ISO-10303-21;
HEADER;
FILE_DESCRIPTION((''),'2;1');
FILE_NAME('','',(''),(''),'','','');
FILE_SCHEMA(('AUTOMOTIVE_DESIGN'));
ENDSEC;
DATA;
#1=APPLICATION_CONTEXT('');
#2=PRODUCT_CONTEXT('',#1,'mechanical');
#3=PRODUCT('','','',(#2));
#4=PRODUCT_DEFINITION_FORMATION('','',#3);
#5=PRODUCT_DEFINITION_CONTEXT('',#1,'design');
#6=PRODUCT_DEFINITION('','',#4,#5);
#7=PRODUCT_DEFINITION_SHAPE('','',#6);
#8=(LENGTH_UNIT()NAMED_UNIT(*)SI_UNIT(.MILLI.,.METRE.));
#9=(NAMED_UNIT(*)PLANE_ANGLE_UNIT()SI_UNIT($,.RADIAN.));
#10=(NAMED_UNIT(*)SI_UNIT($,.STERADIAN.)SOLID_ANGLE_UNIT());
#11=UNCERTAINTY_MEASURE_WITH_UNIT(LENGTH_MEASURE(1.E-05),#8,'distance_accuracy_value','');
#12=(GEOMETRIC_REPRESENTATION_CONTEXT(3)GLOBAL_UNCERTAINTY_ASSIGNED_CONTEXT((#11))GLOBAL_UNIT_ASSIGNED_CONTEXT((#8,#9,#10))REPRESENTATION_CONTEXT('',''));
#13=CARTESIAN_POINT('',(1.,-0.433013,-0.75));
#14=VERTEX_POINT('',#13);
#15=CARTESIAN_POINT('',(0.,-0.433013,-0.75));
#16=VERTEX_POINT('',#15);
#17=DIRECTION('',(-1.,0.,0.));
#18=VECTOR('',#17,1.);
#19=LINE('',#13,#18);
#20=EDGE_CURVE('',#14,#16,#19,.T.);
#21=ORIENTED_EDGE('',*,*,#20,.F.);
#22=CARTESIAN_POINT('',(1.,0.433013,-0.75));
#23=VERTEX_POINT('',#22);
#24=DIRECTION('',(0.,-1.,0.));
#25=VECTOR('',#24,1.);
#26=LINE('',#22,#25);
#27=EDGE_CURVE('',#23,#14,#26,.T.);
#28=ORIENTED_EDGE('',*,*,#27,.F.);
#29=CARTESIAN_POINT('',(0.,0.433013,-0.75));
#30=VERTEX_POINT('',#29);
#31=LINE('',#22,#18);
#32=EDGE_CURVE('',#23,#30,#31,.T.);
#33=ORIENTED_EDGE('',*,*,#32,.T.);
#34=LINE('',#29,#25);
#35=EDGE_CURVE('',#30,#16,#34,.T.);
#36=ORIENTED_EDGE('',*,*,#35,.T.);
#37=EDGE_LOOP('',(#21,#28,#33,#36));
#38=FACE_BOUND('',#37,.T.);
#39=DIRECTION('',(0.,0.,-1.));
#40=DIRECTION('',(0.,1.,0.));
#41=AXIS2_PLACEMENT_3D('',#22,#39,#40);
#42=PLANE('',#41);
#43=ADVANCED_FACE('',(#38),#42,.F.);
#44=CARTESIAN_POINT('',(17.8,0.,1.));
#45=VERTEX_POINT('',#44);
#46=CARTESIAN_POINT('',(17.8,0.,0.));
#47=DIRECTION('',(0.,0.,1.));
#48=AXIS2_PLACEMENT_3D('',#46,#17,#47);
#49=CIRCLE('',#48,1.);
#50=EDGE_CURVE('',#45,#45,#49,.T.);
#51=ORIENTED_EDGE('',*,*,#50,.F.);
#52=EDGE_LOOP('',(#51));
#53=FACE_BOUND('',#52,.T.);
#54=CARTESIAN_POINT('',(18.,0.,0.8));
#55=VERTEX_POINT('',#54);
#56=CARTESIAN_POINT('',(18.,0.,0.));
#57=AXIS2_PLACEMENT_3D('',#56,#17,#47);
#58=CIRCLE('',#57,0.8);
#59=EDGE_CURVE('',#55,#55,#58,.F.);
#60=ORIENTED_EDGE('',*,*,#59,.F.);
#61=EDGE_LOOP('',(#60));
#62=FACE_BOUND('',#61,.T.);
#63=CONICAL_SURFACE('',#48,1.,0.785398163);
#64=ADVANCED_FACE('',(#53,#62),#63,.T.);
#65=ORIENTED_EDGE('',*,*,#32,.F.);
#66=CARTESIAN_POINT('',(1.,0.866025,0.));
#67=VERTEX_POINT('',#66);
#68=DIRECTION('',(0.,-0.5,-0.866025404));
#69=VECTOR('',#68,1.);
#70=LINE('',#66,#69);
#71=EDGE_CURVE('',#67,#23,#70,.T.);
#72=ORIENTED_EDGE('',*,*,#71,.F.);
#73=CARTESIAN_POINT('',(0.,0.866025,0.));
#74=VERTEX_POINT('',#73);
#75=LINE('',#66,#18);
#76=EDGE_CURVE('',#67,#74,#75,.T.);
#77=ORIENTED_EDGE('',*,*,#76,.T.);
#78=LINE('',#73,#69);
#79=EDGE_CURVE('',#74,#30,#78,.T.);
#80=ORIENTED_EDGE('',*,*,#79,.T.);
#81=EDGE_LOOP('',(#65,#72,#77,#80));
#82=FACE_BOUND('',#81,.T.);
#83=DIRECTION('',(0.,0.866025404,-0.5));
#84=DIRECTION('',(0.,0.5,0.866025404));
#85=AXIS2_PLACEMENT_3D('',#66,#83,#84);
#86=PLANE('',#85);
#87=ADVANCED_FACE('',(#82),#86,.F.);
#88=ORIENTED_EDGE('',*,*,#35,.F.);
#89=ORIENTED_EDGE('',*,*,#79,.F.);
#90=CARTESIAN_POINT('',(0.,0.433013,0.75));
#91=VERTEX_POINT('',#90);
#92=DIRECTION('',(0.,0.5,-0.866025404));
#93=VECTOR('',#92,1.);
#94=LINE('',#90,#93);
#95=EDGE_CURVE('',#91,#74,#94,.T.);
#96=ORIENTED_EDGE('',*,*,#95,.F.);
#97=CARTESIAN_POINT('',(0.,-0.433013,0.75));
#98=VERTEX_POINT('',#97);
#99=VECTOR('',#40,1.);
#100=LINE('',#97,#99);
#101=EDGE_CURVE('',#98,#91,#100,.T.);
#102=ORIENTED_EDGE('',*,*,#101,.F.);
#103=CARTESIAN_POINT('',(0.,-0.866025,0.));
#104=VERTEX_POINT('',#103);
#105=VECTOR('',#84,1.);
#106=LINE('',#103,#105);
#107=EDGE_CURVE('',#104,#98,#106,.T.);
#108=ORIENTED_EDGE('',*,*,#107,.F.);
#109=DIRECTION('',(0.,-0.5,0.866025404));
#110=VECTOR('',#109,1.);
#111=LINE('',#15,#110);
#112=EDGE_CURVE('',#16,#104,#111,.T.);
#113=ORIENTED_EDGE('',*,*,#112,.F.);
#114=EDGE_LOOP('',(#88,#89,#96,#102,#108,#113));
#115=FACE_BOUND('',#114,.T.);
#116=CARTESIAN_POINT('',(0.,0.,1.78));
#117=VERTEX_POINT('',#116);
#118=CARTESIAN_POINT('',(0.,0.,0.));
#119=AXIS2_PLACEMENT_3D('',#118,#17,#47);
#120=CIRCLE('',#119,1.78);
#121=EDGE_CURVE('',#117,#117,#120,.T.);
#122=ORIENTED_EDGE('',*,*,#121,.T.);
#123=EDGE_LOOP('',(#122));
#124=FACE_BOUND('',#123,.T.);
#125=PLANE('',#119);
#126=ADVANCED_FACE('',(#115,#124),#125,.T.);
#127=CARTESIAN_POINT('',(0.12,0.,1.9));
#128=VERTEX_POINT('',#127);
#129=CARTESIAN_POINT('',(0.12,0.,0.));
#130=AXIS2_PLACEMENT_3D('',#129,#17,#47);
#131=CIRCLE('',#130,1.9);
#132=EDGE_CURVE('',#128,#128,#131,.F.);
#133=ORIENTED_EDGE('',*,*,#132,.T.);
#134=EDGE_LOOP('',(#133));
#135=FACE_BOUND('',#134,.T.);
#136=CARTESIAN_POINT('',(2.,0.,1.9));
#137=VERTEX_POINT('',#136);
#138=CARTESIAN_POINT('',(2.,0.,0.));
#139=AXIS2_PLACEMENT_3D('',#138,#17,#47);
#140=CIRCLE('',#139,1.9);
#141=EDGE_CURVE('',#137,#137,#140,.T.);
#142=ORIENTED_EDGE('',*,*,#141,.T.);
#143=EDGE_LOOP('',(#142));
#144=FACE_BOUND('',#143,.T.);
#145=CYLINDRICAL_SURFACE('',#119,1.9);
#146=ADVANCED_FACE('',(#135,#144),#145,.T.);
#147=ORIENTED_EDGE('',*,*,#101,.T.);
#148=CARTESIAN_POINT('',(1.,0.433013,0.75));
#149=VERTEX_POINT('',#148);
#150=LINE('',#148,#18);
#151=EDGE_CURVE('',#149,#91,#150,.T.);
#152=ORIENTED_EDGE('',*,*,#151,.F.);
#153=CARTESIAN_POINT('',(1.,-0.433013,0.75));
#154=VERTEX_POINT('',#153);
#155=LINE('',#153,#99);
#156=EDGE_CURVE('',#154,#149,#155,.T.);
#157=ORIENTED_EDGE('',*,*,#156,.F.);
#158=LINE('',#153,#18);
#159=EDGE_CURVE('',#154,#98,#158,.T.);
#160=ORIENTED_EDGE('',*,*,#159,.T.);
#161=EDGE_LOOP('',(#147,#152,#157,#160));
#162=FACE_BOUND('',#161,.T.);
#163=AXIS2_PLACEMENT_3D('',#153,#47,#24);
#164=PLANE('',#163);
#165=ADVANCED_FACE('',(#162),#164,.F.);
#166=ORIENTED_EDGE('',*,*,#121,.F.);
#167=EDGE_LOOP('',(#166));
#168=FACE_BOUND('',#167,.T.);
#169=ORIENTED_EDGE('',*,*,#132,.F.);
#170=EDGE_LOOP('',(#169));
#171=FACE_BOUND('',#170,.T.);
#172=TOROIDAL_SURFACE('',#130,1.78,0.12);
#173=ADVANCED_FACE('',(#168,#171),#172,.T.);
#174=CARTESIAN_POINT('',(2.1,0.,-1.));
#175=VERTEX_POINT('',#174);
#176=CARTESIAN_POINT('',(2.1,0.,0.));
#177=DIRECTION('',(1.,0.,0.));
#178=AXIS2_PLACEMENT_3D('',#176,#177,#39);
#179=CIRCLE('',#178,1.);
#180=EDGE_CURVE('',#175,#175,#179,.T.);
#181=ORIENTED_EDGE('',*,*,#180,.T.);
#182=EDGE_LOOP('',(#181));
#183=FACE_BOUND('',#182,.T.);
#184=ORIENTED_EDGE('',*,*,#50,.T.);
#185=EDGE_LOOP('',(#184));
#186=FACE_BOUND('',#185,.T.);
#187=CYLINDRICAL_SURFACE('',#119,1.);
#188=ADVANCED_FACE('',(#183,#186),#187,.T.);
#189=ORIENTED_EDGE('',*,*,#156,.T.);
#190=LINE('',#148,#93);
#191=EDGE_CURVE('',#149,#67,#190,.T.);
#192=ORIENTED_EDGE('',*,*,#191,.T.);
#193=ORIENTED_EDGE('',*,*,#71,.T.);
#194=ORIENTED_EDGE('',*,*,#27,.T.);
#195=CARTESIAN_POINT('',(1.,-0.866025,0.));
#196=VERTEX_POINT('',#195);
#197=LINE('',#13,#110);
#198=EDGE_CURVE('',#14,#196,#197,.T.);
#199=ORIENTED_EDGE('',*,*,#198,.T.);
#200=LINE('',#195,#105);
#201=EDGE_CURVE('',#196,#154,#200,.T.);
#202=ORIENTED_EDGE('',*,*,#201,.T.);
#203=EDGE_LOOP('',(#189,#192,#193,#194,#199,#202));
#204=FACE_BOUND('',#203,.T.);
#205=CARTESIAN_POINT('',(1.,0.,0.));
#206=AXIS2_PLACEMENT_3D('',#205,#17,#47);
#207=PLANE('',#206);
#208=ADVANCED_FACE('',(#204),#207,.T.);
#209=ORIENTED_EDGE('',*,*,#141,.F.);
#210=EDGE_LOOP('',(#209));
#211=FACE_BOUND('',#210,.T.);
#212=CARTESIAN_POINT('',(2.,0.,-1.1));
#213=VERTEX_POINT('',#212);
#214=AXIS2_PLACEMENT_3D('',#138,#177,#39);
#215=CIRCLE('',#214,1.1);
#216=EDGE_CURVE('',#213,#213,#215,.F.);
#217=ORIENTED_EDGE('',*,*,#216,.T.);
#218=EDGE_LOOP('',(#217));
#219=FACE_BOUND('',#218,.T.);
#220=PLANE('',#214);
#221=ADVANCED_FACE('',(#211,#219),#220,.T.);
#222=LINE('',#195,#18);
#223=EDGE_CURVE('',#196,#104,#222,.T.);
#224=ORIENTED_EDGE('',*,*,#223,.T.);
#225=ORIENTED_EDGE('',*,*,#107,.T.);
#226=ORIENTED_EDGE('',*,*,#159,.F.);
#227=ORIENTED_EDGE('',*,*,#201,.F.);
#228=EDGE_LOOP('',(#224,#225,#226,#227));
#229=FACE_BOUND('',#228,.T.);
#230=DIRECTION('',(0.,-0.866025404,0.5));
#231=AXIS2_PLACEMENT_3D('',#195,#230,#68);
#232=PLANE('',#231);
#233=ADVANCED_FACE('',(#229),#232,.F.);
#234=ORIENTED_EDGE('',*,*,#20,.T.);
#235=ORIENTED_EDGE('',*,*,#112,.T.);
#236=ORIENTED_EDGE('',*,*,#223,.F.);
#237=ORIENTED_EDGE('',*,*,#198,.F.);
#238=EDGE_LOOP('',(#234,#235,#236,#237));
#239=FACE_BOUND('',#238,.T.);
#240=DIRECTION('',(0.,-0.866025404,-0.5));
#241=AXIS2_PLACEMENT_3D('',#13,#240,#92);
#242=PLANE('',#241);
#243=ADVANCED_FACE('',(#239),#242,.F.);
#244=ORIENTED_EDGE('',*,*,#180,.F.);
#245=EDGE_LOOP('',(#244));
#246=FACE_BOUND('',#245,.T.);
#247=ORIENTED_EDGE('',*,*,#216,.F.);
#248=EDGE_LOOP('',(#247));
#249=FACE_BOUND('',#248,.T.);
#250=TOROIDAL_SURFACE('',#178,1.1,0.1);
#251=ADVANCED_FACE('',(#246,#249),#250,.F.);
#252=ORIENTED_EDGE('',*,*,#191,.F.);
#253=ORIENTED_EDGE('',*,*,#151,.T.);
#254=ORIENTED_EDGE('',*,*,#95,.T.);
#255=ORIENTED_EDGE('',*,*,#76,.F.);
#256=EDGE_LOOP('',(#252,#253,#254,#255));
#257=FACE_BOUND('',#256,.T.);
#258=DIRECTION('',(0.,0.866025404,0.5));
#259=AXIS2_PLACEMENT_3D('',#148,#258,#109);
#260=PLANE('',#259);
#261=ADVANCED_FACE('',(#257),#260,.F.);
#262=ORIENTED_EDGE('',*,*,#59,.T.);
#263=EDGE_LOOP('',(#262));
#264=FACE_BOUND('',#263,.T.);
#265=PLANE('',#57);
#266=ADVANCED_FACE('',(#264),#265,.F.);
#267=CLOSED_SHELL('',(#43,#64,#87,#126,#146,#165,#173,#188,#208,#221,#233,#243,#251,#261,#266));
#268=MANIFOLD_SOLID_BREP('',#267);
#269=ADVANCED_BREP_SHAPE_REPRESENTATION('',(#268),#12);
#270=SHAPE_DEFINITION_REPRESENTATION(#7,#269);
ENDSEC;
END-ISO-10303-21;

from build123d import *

# Parameters (mm, degrees)
FILLET1_R      = 0.1
FILLET2_R      = 0.12
CHAMFER1_SIZE  = 0.2
EXTRUDE1_DEPTH = 1


with BuildPart() as part:
    # Sketch1 → Revolve1 (revolve)
    with BuildSketch(Plane.XY, mode=Mode.PRIVATE) as revolve1_sk:
        Polygon((2, 1), (2, 0), (4.279914881, 0), (18, 0), (18, 1), align=None)
        Polygon((0, 1.9), (0, 0), (2, 0), (2, 1), (2, 1.9), align=None)
    revolve(revolve1_sk.sketch.rotate(Axis((0, 0, 0), (1, 0, 0)), 90), axis=Axis((0, 0, 0), (1, 0, 0)))

    # Fillet1
    fillet1_edges = [part.edges().sort_by_distance(p)[0] for p in [
        (2, 0, -1),
    ]]
    fillet(fillet1_edges, radius=FILLET1_R)

    # Fillet2
    fillet2_edges = [part.edges().sort_by_distance(p)[0] for p in [
        (0, 0, -1.9),
    ]]
    fillet(fillet2_edges, radius=FILLET2_R)

    # Chamfer1
    chamfer1_edges = [part.edges().sort_by_distance(p)[0] for p in [
        (18, 0, -1),
    ]]
    chamfer(chamfer1_edges, length=CHAMFER1_SIZE)

    # Sketch2 → Extrude1 (cut)
    with BuildSketch(Plane.ZY):
        Polygon((0, 0.866025404), (-0.75, 0.433012702), (-0.75, -0.433012702), (0, -0.866025404), (0.75, -0.433012702), (0.75, 0.433012702), align=None)
    extrude(amount=-EXTRUDE1_DEPTH, mode=Mode.SUBTRACT)


solid = part.part
